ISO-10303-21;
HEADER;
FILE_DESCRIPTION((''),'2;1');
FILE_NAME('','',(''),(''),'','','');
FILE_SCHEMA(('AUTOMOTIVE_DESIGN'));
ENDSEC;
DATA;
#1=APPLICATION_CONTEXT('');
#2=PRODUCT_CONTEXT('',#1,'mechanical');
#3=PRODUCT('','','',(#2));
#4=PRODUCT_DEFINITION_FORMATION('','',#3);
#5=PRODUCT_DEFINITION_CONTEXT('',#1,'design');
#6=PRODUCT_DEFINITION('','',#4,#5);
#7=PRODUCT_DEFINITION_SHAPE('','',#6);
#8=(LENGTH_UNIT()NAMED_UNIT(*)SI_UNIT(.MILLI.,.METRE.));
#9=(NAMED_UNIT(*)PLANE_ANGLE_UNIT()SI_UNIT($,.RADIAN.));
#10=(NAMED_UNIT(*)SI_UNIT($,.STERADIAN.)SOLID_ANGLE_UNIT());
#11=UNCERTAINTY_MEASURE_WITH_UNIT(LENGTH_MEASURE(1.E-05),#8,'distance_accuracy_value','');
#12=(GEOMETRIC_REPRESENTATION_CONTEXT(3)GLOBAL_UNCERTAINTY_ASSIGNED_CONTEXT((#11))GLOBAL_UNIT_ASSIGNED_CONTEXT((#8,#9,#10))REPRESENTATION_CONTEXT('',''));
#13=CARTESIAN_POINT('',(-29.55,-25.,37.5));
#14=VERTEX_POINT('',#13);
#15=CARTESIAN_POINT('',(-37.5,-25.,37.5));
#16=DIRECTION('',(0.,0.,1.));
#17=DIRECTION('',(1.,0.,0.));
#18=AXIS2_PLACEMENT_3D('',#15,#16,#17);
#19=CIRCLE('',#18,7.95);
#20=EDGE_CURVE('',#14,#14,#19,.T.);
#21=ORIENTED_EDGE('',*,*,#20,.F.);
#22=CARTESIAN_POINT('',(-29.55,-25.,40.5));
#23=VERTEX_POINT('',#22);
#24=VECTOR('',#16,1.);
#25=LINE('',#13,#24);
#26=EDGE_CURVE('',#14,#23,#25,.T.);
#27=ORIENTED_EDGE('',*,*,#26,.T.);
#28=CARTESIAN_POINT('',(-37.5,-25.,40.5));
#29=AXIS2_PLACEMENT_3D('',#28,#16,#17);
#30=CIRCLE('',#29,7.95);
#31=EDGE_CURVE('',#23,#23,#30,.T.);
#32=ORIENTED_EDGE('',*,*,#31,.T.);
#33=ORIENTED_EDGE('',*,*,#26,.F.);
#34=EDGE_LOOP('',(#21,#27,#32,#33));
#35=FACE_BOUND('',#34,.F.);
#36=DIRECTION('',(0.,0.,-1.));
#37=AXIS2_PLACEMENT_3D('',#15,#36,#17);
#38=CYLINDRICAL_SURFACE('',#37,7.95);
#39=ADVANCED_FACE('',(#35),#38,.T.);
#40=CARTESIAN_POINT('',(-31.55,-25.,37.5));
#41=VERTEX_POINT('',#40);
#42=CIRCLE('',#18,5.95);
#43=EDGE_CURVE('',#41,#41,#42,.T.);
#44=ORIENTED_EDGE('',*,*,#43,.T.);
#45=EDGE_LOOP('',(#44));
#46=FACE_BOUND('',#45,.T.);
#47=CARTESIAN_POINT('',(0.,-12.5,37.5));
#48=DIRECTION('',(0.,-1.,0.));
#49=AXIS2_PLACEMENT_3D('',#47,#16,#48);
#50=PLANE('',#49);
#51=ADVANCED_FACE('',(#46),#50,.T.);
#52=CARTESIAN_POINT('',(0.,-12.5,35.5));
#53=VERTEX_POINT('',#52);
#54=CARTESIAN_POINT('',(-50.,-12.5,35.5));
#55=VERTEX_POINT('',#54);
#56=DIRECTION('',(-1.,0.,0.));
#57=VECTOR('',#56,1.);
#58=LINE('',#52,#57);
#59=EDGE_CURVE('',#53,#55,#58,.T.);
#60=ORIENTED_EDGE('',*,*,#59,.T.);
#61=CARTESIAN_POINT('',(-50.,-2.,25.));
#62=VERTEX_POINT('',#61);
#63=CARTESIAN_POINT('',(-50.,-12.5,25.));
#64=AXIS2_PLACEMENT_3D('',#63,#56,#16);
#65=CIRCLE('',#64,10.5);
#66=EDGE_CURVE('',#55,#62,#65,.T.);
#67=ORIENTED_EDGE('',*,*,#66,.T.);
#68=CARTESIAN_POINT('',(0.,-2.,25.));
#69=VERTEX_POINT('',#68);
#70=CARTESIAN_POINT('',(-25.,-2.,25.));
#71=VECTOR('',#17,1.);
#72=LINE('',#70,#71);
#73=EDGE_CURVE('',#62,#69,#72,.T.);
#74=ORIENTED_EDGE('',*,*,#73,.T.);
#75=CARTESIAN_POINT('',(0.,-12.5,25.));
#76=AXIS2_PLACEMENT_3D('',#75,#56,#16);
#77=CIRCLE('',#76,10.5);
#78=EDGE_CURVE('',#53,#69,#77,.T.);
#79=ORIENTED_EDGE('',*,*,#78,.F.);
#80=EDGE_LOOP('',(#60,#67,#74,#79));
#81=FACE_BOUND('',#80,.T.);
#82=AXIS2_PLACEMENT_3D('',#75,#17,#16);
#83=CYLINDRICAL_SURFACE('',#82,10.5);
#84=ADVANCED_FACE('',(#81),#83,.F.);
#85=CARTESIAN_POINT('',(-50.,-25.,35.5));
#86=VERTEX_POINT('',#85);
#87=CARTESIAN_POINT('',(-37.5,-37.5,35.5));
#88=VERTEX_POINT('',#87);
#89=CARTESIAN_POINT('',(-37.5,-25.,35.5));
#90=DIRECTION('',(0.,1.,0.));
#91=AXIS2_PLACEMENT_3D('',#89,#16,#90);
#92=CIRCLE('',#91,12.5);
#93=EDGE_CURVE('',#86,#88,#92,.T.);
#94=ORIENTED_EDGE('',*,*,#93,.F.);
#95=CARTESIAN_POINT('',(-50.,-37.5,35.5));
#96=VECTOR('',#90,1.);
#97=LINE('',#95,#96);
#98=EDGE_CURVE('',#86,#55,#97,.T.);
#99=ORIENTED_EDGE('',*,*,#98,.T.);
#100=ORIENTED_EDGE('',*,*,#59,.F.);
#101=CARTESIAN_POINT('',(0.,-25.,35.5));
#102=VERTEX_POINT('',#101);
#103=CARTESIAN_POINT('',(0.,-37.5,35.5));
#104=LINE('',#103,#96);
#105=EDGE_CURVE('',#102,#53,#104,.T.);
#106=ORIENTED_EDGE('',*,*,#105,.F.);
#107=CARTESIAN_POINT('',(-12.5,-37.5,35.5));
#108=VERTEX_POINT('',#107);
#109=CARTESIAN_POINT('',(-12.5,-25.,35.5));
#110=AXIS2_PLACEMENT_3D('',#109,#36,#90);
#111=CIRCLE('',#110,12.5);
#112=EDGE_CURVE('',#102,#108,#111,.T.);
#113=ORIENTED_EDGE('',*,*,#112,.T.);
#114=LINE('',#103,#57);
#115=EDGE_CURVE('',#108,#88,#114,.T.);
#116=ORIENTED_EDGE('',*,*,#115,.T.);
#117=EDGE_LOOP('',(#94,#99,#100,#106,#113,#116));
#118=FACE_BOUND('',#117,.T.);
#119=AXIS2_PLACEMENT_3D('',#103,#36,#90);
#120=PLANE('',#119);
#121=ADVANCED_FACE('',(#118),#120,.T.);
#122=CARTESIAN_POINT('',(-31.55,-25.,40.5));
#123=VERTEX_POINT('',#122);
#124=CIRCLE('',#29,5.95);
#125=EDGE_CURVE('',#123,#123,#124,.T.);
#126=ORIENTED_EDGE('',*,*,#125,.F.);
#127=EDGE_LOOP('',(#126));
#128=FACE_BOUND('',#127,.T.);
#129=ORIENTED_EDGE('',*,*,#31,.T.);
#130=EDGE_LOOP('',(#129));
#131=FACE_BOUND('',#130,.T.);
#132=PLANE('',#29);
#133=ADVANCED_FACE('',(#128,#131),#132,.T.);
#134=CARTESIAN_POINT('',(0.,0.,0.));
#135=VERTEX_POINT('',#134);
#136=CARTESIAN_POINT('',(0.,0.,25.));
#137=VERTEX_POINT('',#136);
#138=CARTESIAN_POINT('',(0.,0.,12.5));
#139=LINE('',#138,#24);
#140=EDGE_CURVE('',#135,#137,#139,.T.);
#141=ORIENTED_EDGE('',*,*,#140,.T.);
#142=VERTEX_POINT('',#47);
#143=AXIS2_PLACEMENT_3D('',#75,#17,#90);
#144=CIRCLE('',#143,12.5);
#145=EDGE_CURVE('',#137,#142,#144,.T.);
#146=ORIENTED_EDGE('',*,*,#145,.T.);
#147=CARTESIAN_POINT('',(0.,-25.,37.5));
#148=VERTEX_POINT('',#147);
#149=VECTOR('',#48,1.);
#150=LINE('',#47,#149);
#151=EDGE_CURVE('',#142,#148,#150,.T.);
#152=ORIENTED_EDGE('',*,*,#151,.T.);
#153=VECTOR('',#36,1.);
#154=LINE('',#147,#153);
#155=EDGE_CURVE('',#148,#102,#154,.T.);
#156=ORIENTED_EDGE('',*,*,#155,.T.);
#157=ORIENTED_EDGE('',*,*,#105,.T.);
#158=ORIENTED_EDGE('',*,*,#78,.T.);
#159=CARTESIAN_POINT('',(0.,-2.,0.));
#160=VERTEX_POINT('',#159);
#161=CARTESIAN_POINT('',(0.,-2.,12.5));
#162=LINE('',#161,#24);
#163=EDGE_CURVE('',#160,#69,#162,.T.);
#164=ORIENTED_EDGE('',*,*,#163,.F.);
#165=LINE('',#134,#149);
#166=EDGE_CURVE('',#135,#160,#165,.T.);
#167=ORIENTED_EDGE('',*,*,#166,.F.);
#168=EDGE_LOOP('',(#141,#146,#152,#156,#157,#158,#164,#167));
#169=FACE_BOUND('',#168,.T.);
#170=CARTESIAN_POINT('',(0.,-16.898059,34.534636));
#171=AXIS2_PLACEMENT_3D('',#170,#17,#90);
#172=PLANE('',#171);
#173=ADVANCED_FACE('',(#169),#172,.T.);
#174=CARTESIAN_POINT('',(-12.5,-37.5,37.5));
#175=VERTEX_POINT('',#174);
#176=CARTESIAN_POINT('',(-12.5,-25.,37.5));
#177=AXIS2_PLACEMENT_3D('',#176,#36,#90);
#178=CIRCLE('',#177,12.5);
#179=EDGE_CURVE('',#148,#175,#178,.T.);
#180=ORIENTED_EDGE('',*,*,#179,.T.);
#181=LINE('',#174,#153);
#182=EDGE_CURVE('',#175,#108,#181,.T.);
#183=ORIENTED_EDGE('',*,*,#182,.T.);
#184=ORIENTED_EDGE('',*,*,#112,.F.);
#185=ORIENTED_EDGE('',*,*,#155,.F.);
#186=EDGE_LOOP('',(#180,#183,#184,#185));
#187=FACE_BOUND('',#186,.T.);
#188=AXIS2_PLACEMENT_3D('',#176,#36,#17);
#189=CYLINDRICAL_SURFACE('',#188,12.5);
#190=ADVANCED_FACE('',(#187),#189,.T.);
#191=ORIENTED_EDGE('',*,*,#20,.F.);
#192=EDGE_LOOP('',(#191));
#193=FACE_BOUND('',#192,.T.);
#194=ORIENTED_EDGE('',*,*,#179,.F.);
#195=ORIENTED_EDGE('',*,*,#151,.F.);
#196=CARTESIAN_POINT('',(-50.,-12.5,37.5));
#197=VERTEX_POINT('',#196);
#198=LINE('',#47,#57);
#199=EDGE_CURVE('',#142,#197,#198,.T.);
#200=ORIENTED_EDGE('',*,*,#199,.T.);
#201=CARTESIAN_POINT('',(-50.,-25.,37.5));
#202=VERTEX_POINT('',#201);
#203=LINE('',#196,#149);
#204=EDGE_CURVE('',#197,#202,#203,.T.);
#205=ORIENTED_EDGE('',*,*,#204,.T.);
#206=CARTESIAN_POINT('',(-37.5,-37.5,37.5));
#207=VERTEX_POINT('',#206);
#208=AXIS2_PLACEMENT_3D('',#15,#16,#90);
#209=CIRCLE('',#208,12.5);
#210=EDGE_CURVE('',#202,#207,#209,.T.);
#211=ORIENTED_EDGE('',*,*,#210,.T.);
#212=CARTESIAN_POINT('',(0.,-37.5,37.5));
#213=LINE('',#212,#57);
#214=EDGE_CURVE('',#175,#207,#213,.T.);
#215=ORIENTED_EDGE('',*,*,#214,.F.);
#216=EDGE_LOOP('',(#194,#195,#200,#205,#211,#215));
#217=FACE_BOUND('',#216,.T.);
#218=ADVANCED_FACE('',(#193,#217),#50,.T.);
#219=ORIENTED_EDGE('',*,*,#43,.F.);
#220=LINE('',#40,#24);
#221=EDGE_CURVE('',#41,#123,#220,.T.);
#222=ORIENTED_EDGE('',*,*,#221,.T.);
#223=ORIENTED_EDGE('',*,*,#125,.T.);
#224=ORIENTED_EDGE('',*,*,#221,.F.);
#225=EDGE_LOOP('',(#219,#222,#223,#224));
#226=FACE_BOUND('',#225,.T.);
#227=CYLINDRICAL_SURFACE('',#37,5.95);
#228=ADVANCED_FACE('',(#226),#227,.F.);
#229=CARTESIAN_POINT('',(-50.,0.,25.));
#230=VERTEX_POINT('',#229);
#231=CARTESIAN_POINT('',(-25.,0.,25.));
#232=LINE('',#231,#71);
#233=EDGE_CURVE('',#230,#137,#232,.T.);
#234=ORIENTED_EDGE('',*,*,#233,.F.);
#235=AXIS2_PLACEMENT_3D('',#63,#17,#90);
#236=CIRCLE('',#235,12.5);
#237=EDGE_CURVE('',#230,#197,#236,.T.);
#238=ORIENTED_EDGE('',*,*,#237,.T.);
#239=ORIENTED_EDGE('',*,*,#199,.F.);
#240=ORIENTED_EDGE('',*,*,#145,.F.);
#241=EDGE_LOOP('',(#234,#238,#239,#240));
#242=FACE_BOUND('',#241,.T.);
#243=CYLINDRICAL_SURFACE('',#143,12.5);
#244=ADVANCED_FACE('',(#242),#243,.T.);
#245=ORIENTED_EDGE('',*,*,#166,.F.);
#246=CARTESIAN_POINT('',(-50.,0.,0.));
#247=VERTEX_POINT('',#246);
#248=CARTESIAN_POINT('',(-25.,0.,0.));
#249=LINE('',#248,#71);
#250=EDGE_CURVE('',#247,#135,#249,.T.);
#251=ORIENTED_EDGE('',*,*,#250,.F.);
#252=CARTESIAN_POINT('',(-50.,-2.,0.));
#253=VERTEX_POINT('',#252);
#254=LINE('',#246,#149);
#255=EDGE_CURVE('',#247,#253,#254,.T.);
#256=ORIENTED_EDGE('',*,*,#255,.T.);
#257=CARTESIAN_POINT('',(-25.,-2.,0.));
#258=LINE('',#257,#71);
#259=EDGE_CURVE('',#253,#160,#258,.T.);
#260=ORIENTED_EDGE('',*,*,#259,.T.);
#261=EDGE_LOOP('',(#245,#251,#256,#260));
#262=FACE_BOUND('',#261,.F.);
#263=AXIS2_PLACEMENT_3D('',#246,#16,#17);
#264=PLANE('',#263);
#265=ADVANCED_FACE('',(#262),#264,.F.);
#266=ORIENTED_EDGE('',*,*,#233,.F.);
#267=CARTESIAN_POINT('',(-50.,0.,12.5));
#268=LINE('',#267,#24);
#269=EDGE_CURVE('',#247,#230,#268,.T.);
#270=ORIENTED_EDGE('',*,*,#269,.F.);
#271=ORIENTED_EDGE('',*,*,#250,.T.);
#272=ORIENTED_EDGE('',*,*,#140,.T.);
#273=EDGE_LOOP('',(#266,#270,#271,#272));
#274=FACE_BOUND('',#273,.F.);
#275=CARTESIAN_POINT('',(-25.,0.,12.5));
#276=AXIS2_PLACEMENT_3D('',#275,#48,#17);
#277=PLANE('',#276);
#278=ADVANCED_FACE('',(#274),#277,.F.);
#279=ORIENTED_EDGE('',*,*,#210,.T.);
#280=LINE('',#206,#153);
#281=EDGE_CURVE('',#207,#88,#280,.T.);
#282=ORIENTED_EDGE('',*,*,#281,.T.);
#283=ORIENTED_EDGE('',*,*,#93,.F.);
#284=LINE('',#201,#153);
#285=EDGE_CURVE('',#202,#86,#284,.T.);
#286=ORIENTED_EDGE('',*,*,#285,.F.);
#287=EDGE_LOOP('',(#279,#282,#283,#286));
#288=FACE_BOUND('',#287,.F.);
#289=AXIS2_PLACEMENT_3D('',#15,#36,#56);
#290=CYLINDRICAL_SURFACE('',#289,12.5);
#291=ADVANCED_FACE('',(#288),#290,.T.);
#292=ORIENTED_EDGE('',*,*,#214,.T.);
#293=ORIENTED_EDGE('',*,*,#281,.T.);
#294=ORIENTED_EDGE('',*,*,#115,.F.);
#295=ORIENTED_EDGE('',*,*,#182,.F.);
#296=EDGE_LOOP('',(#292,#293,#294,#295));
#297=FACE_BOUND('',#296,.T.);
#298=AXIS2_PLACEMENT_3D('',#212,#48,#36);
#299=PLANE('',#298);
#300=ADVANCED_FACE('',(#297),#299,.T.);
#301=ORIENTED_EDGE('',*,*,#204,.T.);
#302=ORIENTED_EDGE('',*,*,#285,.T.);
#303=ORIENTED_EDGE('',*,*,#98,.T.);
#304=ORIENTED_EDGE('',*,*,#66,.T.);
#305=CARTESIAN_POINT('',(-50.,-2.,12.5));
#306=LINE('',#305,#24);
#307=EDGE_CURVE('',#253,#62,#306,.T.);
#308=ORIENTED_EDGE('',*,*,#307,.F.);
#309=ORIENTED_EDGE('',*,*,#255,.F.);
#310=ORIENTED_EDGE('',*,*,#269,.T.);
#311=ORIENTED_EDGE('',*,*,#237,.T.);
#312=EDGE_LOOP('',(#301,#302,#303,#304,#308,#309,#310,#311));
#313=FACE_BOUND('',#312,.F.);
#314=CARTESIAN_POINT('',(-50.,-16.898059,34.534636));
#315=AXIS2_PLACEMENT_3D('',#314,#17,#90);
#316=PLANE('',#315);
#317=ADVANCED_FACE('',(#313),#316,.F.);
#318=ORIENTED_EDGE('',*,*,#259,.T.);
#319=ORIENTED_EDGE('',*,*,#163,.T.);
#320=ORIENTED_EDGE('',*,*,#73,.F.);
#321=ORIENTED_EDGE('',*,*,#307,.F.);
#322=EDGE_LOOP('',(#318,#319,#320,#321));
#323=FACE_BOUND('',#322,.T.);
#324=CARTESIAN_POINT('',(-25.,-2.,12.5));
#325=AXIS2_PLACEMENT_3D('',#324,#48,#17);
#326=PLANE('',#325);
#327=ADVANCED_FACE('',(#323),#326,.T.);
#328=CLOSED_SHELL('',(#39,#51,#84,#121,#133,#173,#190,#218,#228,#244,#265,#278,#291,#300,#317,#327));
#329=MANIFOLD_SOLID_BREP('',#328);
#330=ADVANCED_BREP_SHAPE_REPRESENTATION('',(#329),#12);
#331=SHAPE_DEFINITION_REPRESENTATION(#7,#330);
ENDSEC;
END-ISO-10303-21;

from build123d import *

# Parameters (mm, degrees)
F0_W     = 50
F0_H     = 25
F1_DEPTH = 2
F3_DEPTH = 50
F4_R     = 12.5
F5_R     = 7.95
F5_R_2   = 5.95
F6_DEPTH = 3


with BuildPart() as f1:
    # F0 (on Front) → F1 (new body)
    with BuildSketch(Plane.XZ):
        with Locations((-25, 12.5)):
            Rectangle(F0_W, F0_H)
    extrude(amount=F1_DEPTH)

    # F2 (on Right) → F3 (join, through all)
    with BuildSketch(Plane.YZ):
        with BuildLine():
            Line((-2, 25), (0, 25))
            ThreePointArc((0, 25), (-3.6611652352, 33.8388347648), (-12.5, 37.5))
            Line((-12.5, 37.5), (-37.5, 37.5))
            Line((-37.5, 37.5), (-37.5, 35.5))
            Line((-37.5, 35.5), (-12.5, 35.5))
            ThreePointArc((-12.5, 35.5), (-5.0753787975, 32.4246212025), (-2, 25))
        make_face()
    extrude(amount=-F3_DEPTH)

    # F4
    f4_edges = [f1.edges().sort_by_distance(p)[0] for p in [
        (-50, -37.5, 36.5),
        (0, -37.5, 36.5),
    ]]
    fillet(f4_edges, radius=F4_R)

    # F5 (on face) → F6 (join)
    with BuildSketch(Plane.XY.offset(37.5)):
        with Locations((-37.5, -25)):
            Circle(F5_R)
        with Locations((-37.5, -25)):
            Circle(F5_R_2, mode=Mode.SUBTRACT)
    extrude(amount=F6_DEPTH)


solid = f1.part
